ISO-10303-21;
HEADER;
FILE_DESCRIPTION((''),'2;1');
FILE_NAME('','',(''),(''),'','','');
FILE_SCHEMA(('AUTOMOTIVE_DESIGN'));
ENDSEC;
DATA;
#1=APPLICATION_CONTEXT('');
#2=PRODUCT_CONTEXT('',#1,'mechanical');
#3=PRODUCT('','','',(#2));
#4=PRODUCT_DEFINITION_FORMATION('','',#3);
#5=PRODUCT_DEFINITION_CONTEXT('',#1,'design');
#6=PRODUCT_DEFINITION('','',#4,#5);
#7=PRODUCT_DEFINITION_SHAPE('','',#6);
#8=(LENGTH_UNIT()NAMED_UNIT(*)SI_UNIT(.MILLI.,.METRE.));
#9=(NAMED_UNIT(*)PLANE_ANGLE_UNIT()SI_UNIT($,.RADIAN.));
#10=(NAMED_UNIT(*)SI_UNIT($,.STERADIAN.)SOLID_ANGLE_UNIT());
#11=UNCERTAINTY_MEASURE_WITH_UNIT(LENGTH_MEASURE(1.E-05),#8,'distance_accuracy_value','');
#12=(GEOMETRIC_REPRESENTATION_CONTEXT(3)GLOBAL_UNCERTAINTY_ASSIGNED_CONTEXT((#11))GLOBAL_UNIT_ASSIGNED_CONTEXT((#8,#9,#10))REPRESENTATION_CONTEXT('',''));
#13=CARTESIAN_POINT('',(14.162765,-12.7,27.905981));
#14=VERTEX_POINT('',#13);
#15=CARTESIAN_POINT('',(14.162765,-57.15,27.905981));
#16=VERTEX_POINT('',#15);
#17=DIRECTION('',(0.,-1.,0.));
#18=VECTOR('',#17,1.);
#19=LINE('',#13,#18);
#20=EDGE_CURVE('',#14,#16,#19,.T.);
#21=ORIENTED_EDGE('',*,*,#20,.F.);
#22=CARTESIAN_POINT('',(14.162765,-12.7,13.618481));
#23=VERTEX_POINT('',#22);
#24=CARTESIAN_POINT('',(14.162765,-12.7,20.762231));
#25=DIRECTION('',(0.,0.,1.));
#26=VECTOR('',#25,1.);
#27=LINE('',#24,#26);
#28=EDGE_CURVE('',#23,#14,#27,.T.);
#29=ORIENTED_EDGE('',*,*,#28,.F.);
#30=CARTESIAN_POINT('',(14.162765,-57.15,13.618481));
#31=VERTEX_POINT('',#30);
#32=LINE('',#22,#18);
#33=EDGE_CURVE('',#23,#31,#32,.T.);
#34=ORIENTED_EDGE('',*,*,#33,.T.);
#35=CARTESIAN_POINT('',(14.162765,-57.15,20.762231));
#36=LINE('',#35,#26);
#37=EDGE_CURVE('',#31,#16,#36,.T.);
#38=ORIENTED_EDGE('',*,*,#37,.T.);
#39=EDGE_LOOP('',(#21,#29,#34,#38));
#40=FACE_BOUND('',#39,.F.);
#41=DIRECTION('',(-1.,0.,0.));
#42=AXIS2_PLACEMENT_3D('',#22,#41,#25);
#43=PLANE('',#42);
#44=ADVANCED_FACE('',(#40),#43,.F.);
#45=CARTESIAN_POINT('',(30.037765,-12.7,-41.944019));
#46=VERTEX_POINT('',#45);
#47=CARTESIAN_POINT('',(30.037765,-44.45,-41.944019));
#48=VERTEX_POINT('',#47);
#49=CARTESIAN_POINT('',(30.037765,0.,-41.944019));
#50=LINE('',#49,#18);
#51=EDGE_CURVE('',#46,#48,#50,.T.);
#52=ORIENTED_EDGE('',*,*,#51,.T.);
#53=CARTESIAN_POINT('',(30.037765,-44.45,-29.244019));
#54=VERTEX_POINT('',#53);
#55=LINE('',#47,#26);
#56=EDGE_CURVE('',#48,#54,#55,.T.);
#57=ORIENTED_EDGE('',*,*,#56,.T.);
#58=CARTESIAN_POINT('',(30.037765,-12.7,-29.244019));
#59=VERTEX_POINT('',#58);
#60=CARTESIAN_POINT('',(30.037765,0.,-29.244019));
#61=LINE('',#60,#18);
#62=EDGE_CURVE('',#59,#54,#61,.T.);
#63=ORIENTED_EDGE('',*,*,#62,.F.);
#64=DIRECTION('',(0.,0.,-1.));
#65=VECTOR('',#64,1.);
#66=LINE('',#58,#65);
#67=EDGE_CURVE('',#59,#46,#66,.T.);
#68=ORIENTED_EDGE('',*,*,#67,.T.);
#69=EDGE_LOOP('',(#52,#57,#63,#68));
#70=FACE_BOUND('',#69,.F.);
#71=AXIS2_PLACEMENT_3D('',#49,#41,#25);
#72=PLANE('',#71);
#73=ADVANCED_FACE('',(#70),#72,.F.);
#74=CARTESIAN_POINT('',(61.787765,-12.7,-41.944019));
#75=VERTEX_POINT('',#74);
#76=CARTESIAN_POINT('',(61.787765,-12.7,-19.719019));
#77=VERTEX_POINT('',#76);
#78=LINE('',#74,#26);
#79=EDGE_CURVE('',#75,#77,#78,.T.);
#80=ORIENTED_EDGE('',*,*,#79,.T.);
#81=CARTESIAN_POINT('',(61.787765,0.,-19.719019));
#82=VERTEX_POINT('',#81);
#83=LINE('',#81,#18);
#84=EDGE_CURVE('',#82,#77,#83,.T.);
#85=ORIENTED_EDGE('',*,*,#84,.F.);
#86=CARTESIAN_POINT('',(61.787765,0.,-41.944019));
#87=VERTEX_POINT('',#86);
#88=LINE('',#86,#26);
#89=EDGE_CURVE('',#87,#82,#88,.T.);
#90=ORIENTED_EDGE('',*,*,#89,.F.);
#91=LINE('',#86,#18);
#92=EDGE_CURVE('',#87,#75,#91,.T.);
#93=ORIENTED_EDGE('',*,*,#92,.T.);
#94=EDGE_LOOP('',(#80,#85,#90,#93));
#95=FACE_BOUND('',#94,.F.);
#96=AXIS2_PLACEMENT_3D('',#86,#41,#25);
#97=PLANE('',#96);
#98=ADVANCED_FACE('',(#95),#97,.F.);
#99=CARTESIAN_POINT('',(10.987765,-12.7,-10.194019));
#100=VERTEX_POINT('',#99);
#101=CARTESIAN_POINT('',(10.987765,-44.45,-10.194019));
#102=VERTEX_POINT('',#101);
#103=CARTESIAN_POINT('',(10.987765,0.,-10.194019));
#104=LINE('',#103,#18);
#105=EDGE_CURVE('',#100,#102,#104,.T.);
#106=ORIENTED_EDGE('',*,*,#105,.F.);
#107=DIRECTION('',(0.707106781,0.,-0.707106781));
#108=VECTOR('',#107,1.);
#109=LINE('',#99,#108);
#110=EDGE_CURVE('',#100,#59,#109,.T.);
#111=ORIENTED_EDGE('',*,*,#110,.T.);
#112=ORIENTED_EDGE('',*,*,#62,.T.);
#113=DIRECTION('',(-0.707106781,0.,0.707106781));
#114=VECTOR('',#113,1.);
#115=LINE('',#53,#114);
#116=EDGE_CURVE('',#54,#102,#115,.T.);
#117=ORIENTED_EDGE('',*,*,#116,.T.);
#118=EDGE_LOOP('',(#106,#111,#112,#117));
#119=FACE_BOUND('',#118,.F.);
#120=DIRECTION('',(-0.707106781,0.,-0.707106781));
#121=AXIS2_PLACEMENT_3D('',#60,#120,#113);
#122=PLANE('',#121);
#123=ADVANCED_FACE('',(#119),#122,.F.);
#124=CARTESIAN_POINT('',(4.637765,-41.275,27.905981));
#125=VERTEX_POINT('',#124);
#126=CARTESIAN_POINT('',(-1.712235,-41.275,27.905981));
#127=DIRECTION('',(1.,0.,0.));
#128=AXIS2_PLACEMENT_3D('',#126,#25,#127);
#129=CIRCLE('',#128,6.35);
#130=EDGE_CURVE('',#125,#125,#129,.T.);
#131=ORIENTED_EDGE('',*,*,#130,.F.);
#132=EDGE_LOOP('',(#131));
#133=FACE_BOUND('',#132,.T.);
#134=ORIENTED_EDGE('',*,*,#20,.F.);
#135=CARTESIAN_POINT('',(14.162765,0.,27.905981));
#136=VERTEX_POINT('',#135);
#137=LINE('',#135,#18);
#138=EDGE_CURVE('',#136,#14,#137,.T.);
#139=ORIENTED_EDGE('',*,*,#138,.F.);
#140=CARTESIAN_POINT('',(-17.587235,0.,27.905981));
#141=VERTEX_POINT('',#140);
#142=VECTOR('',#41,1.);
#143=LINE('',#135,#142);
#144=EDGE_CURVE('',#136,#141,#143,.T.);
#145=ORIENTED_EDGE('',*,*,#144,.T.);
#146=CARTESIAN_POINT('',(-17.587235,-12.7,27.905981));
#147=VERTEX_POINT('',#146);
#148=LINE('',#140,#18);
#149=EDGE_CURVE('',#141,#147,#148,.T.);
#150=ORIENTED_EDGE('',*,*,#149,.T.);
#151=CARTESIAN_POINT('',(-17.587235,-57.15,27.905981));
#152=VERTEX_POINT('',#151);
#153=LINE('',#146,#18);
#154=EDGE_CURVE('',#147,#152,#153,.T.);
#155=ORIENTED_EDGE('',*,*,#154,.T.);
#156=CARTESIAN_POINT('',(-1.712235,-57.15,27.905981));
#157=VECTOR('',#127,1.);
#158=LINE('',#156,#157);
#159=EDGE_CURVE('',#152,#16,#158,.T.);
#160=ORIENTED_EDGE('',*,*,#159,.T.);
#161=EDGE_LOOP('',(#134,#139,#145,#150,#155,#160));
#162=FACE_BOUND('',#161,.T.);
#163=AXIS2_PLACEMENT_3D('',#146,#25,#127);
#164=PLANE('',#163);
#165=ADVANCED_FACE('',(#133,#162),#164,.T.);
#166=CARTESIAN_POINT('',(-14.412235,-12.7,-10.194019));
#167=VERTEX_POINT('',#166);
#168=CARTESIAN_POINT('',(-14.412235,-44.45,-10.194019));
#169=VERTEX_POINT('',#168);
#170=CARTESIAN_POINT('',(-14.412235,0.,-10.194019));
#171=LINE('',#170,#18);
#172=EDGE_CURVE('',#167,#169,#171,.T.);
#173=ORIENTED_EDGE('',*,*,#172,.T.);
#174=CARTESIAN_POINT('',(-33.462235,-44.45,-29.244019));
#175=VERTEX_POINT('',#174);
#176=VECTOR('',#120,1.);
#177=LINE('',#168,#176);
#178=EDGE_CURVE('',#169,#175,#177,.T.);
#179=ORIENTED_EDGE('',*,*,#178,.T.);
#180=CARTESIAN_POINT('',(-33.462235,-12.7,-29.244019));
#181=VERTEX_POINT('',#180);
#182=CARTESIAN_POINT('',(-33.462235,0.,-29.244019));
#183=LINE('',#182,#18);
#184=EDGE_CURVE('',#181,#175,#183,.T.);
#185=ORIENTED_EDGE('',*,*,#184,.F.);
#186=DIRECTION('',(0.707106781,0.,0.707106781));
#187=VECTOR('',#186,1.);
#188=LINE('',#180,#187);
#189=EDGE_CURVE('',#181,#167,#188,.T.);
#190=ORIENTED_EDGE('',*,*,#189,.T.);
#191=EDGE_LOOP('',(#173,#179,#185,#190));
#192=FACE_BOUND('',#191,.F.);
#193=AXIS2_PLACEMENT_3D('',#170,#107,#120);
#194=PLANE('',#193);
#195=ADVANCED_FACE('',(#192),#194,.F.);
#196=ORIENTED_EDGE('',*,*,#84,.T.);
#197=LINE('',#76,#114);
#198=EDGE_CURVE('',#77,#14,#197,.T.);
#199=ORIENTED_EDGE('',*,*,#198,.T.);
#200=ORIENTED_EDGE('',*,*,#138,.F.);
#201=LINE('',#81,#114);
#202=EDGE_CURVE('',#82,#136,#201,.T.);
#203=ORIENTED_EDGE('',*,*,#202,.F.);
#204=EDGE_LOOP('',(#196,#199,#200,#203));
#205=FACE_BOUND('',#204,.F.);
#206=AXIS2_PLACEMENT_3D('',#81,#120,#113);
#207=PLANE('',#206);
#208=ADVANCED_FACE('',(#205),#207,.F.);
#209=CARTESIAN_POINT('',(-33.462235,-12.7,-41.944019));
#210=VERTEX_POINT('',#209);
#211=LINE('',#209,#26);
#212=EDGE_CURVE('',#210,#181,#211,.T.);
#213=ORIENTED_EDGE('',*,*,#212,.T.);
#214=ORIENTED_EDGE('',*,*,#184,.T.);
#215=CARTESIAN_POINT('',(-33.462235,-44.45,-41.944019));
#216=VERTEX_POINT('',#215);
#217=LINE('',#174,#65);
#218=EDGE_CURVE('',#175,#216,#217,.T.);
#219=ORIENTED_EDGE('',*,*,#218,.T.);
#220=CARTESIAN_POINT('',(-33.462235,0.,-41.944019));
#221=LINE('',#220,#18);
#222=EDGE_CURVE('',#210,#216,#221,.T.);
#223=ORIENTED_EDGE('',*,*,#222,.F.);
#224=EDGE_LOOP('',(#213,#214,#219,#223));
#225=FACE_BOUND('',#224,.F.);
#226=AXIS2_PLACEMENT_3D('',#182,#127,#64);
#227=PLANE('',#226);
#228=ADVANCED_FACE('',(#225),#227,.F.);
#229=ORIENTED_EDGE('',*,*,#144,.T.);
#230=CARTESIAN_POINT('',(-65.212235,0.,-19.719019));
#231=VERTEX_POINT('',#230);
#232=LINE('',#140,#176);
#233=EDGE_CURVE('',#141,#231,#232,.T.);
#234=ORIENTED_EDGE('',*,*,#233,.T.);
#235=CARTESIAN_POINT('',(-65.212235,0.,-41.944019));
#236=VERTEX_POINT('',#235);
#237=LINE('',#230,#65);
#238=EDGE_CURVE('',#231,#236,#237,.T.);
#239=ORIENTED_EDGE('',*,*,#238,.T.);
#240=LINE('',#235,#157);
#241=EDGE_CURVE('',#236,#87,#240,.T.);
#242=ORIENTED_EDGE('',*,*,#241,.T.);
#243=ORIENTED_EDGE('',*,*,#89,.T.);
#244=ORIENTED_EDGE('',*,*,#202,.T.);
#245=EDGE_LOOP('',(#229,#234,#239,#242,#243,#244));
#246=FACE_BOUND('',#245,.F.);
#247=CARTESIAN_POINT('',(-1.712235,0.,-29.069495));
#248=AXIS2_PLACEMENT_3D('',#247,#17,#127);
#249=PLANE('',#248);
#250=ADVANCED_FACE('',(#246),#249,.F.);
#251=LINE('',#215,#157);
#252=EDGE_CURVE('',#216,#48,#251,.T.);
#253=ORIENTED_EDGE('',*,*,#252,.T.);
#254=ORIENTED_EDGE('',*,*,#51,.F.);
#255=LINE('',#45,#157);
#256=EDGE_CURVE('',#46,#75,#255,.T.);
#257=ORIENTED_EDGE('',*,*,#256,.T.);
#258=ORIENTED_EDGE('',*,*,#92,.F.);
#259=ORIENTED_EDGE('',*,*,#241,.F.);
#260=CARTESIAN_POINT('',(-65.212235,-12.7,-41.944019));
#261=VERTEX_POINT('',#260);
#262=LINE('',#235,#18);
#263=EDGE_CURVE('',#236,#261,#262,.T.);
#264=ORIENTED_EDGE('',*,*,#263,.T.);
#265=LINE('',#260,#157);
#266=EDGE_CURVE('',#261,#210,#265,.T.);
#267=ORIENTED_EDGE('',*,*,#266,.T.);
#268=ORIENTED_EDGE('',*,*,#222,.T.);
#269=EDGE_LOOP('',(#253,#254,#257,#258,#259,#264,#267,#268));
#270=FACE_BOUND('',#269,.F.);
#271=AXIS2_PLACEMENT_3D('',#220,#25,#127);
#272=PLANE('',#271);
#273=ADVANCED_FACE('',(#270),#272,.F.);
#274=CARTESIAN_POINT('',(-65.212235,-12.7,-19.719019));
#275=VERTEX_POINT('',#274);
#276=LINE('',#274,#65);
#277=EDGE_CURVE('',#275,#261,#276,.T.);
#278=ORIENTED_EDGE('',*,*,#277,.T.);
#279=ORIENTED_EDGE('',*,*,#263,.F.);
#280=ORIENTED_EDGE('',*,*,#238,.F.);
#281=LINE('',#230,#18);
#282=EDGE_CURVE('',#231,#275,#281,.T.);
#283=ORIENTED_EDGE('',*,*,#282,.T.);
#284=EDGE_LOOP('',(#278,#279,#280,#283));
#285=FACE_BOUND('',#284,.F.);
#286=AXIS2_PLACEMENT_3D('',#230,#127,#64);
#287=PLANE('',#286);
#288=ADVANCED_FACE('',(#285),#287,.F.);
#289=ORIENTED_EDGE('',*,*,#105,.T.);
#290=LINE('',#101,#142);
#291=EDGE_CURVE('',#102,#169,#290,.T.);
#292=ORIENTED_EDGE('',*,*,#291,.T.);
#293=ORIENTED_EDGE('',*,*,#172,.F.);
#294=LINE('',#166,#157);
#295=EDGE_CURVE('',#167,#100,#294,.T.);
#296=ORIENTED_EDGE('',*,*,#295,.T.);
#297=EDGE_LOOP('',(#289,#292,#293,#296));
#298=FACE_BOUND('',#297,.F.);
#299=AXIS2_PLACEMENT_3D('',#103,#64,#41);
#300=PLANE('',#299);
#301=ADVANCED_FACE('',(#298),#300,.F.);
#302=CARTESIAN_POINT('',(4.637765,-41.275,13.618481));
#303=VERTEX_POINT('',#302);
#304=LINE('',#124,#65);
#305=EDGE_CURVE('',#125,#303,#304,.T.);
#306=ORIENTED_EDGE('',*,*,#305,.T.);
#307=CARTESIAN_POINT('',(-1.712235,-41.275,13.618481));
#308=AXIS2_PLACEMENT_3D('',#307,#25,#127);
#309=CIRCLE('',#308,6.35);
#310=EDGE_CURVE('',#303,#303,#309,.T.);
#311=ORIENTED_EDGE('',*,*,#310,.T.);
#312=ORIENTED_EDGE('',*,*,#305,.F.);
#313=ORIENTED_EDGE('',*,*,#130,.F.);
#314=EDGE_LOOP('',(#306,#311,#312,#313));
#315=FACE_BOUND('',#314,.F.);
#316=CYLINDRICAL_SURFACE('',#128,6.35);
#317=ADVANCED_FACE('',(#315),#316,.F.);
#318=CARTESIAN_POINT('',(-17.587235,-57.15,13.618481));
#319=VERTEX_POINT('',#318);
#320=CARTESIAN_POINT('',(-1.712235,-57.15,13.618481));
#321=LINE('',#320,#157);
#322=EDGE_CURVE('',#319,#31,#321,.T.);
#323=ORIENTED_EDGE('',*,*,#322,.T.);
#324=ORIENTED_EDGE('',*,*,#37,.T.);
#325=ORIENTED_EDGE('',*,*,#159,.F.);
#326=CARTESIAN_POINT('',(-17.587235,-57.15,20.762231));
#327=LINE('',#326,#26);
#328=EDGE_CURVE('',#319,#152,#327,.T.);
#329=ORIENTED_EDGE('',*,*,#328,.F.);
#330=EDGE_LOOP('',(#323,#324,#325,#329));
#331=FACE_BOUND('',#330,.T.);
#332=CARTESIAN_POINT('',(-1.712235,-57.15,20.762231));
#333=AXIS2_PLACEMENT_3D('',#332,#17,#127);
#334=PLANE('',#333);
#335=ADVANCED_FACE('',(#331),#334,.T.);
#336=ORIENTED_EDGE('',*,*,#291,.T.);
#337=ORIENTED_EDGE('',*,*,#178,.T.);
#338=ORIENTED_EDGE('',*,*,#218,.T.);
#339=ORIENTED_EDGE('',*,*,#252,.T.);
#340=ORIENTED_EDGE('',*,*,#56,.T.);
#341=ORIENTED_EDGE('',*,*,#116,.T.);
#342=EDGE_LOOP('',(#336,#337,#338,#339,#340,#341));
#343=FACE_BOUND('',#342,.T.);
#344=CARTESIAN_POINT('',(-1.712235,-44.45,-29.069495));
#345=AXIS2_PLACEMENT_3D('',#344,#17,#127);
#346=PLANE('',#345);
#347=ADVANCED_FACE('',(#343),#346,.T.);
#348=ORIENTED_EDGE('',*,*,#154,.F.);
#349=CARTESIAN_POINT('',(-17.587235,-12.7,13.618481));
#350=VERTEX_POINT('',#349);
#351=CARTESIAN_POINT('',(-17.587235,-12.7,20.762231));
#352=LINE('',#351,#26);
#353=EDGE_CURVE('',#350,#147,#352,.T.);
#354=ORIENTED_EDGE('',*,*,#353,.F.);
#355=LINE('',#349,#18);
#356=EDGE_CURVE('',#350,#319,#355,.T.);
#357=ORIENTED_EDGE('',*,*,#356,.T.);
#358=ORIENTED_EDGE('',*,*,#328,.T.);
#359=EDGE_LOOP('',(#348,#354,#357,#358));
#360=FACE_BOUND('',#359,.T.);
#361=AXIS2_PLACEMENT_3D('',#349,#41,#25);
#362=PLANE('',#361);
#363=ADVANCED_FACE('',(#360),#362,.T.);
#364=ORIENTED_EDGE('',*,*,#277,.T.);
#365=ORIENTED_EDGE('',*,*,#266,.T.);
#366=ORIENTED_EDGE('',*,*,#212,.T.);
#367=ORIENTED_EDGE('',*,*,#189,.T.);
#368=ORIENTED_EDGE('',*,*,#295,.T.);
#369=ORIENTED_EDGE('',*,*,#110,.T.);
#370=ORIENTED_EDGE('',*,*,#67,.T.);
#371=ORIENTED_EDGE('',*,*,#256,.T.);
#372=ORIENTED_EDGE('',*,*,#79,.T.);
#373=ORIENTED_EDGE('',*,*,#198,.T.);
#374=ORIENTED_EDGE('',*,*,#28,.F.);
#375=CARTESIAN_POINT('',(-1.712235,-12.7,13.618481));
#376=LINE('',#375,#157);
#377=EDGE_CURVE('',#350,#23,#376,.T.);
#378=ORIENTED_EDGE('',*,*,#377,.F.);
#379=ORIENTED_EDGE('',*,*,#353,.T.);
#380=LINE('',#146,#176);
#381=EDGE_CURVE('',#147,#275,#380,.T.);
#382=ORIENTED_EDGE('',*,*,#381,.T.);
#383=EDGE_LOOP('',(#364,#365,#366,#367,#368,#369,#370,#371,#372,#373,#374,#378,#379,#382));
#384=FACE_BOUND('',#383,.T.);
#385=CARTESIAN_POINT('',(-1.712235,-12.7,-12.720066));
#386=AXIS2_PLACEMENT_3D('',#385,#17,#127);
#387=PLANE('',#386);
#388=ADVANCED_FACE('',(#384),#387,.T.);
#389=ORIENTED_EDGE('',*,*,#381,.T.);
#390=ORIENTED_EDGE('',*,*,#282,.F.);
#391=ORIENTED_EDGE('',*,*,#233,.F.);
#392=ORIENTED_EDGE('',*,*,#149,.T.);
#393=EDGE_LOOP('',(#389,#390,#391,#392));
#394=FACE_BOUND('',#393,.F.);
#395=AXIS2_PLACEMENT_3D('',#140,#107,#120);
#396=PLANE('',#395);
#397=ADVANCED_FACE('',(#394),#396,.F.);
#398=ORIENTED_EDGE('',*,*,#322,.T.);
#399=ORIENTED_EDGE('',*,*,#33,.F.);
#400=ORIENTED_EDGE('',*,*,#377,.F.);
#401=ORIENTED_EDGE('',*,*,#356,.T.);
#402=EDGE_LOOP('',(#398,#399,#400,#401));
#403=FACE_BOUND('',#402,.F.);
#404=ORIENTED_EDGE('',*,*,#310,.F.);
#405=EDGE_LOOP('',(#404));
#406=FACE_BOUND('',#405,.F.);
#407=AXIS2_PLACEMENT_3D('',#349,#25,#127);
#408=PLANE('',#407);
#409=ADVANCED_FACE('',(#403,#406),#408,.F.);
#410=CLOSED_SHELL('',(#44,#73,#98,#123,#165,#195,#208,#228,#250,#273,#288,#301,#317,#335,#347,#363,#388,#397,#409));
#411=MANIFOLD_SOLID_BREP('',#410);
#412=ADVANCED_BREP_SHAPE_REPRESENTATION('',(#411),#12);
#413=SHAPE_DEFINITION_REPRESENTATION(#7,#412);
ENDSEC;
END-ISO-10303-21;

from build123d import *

# Parameters (mm, degrees)
F1_DEPTH = 12.7
F2_DEPTH = 44.45
F3_W     = 31.75
F3_H     = 14.2875
F4_DEPTH = 44.45
F5_R     = 6.35
F6_DEPTH = 25.4


with BuildPart() as f1:
    # F0 (on Front) → F1 (new body)
    with BuildSketch(Plane.XZ):
        Polygon((30.037765, -41.944019), (61.787765, -41.944019), (61.787765, -19.719019), (14.162765, 27.905981), (-17.587235, 27.905981), (-65.212235, -19.719019), (-65.212235, -41.944019), (-33.462235, -41.944019), (-33.462235, -29.244019), (-14.412235, -10.194019), (-1.712235, -10.194019), (10.987765, -10.194019), (30.037765, -29.244019), align=None)
    extrude(amount=F1_DEPTH)

    # F0 (on Front) → F2 (join)
    with BuildSketch(Plane.XZ):
        Polygon((-33.462235, -41.944019), (30.037765, -41.944019), (30.037765, -29.244019), (10.987765, -10.194019), (-1.712235, -10.194019), (-14.412235, -10.194019), (-33.462235, -29.244019), align=None)
    extrude(amount=F2_DEPTH)

    # F3 (on face) → F4 (join)
    with BuildSketch(Plane.XZ.offset(12.7)):
        with Locations((-1.712235, 20.762231)):
            Rectangle(F3_W, F3_H)
    extrude(amount=F4_DEPTH)

    # F5 (on face) → F6 (cut)
    with BuildSketch(Plane.XY.offset(27.905981)):
        with Locations((-1.712235, -41.275)):
            Circle(F5_R)
    extrude(amount=-F6_DEPTH, mode=Mode.SUBTRACT)


solid = f1.part
